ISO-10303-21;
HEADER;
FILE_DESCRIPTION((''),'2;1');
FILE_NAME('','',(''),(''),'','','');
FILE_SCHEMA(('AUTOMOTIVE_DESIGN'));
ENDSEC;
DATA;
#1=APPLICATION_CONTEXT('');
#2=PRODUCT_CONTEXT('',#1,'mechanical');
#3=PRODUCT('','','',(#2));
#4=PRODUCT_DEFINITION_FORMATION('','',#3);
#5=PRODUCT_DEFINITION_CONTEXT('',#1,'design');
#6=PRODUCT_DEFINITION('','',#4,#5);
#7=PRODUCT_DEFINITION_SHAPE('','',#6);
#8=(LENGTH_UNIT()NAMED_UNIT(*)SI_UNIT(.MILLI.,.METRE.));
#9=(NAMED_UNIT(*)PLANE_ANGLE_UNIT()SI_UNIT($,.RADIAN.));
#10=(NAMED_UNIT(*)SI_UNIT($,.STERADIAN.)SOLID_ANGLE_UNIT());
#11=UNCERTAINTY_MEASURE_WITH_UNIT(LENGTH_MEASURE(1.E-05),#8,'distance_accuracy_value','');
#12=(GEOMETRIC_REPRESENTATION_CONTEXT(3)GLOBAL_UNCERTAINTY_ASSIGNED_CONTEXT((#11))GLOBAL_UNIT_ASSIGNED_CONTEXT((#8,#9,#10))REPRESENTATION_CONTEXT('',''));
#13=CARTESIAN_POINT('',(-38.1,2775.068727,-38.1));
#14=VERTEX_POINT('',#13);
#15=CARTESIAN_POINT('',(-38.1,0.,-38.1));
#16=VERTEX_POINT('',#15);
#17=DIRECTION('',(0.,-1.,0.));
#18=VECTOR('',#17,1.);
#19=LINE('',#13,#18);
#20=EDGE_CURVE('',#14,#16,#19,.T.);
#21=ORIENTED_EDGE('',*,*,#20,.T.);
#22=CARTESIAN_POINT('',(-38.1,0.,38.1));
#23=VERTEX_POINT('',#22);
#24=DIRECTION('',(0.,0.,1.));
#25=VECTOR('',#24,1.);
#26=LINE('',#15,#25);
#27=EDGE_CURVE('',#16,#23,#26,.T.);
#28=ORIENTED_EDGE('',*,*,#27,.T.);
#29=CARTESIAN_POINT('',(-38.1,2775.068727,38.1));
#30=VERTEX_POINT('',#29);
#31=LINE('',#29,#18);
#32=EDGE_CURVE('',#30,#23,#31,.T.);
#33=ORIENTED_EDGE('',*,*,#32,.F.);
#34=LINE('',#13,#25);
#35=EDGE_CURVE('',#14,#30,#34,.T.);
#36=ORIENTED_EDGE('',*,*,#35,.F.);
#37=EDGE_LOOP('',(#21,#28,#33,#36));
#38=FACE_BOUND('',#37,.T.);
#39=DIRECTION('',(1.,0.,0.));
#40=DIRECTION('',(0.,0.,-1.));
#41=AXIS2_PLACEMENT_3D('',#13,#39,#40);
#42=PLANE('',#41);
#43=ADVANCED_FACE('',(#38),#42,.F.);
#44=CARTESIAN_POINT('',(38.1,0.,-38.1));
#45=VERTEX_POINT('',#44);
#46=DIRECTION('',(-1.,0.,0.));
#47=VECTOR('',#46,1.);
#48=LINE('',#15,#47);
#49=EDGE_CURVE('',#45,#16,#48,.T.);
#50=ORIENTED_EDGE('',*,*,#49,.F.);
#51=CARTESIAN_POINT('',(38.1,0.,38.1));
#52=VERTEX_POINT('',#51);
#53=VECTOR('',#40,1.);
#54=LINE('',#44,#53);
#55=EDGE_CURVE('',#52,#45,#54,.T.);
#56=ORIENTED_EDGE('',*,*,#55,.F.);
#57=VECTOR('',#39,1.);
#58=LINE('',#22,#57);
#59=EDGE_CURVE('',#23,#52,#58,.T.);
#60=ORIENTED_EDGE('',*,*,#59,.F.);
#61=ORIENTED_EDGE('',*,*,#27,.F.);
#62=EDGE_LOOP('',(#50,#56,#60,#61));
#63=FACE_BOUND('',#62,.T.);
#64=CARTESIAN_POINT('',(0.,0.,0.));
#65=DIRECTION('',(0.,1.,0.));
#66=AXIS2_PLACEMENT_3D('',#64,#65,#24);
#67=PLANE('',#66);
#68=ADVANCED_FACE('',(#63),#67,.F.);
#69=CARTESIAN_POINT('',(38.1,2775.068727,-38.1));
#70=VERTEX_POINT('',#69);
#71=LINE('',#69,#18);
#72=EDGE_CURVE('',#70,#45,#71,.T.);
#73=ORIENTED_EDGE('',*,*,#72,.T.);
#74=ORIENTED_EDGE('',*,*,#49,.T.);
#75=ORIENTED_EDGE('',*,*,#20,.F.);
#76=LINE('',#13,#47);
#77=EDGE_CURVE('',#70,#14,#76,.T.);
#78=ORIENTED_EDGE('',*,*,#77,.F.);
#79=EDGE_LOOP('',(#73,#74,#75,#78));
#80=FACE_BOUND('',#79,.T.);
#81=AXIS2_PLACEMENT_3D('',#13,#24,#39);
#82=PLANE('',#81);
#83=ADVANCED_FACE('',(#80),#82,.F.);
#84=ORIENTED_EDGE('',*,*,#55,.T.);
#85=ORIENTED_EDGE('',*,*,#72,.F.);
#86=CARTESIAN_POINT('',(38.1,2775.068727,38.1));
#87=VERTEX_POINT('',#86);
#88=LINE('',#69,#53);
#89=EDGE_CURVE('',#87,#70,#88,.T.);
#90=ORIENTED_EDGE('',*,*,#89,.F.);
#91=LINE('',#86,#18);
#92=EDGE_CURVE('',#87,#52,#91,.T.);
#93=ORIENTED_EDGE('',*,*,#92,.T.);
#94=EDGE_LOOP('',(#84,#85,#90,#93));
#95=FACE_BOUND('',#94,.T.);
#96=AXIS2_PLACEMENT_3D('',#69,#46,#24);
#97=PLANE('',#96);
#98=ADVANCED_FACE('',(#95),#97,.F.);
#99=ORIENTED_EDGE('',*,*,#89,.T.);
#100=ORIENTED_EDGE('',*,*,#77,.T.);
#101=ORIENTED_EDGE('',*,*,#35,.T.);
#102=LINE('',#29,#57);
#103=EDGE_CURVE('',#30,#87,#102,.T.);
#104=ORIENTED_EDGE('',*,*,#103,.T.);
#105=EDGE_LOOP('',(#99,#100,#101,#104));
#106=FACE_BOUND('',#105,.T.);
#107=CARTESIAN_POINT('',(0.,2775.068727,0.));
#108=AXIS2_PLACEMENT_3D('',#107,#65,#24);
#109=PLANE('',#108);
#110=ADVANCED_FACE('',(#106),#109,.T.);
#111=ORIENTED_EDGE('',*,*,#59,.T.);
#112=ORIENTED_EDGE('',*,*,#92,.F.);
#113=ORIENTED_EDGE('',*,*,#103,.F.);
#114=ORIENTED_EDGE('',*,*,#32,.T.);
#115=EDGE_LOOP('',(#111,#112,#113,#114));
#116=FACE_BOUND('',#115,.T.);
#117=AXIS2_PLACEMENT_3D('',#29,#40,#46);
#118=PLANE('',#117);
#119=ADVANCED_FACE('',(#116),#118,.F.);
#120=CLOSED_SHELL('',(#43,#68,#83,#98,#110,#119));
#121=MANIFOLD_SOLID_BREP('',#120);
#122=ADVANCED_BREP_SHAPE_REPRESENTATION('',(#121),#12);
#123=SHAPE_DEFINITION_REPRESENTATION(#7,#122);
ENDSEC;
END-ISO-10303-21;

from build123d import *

# Parameters (mm, degrees)
SKETCH1_W           = 76.2
SKETCH1_H           = 76.2
BOSS_EXTRUDE1_DEPTH = 2775.06872708


with BuildPart() as part:
    # Sketch1 → Boss-Extrude1 (new body)
    with BuildSketch(Plane(origin=(0, 0, 0), x_dir=(1, 0, 0), z_dir=(0, 1, 0))):
        Rectangle(SKETCH1_W, SKETCH1_H)
    extrude(amount=BOSS_EXTRUDE1_DEPTH)


solid = part.part
